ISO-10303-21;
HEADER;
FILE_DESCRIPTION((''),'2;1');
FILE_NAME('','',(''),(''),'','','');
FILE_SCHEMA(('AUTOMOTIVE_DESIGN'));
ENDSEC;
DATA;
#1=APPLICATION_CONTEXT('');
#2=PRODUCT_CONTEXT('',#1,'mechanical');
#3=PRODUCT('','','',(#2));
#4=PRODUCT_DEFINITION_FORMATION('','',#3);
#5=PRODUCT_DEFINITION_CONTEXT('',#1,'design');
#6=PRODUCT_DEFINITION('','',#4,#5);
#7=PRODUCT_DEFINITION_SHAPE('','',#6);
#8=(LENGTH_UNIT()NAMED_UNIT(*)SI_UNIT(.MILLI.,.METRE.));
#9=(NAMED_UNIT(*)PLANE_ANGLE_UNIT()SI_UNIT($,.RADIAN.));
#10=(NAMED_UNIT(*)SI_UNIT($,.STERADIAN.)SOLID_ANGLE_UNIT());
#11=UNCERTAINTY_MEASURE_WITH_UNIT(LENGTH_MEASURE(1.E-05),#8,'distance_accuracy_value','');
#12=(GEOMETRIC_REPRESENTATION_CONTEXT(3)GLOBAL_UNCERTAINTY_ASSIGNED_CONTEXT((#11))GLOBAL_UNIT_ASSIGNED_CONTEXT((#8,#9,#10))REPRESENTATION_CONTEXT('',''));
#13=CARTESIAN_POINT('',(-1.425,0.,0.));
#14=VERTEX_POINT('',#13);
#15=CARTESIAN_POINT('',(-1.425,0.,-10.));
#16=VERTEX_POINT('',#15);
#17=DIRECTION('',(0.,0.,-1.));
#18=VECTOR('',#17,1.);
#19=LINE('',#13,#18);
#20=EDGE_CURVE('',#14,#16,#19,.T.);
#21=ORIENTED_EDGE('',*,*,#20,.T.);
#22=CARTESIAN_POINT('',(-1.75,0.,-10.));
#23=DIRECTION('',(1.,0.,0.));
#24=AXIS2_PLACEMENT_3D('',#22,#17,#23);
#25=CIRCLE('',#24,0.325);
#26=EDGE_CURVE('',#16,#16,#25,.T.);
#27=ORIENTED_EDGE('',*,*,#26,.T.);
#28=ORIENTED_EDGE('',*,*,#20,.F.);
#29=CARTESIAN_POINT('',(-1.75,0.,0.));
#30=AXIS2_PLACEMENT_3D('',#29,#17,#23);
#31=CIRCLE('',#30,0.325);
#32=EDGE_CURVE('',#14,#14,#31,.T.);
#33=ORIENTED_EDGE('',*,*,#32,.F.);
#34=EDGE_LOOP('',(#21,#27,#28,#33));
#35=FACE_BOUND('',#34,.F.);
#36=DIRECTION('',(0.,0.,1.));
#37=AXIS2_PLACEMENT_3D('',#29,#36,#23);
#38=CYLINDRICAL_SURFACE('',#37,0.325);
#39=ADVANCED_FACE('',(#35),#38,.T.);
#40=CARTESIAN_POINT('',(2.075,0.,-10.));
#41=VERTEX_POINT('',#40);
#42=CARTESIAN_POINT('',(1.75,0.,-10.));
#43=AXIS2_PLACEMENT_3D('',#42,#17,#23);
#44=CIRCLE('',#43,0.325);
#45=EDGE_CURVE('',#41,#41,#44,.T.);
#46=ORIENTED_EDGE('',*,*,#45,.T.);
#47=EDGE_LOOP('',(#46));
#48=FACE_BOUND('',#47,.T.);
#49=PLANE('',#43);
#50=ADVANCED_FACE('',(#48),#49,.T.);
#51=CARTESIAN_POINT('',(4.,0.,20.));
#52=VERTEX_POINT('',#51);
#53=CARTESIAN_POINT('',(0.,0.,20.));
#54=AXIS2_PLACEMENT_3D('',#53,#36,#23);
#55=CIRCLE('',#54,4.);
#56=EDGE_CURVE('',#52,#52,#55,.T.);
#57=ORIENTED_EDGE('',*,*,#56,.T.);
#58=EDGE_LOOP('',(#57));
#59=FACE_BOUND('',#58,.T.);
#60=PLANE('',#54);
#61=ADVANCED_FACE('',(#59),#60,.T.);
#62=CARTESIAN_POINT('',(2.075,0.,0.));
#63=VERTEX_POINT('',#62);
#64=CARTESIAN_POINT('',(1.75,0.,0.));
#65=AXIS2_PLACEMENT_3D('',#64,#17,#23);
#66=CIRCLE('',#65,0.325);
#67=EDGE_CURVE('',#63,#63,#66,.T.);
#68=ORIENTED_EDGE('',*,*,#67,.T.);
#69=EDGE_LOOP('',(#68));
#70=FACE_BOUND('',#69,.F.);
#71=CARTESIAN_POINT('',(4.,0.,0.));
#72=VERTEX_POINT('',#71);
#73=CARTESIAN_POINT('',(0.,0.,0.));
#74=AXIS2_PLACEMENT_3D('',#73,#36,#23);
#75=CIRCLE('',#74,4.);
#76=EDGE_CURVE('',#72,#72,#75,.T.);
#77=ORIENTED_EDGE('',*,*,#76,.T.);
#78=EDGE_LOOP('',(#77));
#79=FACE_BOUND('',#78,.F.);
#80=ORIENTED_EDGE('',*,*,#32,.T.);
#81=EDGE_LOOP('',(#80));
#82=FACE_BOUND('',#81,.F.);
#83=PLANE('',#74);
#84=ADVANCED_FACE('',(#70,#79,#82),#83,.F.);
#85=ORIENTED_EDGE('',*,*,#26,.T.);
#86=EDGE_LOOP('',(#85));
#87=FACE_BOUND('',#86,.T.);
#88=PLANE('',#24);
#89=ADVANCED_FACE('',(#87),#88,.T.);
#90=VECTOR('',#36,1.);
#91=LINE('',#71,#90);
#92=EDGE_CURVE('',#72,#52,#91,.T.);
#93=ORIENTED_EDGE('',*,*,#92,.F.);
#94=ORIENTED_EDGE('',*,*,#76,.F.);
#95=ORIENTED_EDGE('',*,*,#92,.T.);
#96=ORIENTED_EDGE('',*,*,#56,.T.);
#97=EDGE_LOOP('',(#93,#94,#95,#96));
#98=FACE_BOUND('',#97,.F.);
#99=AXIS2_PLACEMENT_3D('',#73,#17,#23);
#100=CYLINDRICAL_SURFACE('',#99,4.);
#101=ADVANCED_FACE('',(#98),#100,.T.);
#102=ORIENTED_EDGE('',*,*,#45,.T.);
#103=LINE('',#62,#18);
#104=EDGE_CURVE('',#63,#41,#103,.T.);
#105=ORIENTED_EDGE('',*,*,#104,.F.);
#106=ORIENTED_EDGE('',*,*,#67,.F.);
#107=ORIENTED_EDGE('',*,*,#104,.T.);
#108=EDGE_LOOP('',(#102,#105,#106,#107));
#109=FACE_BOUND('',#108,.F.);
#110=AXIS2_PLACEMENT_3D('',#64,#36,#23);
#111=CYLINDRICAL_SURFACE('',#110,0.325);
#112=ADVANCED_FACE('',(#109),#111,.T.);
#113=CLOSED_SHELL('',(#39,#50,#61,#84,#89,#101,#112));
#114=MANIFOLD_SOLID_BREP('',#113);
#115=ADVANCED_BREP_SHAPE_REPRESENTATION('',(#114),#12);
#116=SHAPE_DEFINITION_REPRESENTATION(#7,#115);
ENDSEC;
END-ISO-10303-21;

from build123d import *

# Parameters (mm, degrees)
F0_R     = 4
F1_DEPTH = 20
F2_R     = 0.325
F3_DEPTH = 10


with BuildPart() as f1:
    # F0 (on Top) → F1 (new body)
    with BuildSketch(Plane.XY):
        Circle(F0_R)
    extrude(amount=F1_DEPTH)

    # F2 (on face) → F3 (join)
    with BuildSketch(Plane(origin=(0, 0, 0), x_dir=(1, 0, 0), z_dir=(0, 0, -1))):
        with Locations((-1.75, 0)):
            Circle(F2_R)
        with Locations((1.75, 0)):
            Circle(F2_R)
    extrude(amount=F3_DEPTH)


solid = f1.part
